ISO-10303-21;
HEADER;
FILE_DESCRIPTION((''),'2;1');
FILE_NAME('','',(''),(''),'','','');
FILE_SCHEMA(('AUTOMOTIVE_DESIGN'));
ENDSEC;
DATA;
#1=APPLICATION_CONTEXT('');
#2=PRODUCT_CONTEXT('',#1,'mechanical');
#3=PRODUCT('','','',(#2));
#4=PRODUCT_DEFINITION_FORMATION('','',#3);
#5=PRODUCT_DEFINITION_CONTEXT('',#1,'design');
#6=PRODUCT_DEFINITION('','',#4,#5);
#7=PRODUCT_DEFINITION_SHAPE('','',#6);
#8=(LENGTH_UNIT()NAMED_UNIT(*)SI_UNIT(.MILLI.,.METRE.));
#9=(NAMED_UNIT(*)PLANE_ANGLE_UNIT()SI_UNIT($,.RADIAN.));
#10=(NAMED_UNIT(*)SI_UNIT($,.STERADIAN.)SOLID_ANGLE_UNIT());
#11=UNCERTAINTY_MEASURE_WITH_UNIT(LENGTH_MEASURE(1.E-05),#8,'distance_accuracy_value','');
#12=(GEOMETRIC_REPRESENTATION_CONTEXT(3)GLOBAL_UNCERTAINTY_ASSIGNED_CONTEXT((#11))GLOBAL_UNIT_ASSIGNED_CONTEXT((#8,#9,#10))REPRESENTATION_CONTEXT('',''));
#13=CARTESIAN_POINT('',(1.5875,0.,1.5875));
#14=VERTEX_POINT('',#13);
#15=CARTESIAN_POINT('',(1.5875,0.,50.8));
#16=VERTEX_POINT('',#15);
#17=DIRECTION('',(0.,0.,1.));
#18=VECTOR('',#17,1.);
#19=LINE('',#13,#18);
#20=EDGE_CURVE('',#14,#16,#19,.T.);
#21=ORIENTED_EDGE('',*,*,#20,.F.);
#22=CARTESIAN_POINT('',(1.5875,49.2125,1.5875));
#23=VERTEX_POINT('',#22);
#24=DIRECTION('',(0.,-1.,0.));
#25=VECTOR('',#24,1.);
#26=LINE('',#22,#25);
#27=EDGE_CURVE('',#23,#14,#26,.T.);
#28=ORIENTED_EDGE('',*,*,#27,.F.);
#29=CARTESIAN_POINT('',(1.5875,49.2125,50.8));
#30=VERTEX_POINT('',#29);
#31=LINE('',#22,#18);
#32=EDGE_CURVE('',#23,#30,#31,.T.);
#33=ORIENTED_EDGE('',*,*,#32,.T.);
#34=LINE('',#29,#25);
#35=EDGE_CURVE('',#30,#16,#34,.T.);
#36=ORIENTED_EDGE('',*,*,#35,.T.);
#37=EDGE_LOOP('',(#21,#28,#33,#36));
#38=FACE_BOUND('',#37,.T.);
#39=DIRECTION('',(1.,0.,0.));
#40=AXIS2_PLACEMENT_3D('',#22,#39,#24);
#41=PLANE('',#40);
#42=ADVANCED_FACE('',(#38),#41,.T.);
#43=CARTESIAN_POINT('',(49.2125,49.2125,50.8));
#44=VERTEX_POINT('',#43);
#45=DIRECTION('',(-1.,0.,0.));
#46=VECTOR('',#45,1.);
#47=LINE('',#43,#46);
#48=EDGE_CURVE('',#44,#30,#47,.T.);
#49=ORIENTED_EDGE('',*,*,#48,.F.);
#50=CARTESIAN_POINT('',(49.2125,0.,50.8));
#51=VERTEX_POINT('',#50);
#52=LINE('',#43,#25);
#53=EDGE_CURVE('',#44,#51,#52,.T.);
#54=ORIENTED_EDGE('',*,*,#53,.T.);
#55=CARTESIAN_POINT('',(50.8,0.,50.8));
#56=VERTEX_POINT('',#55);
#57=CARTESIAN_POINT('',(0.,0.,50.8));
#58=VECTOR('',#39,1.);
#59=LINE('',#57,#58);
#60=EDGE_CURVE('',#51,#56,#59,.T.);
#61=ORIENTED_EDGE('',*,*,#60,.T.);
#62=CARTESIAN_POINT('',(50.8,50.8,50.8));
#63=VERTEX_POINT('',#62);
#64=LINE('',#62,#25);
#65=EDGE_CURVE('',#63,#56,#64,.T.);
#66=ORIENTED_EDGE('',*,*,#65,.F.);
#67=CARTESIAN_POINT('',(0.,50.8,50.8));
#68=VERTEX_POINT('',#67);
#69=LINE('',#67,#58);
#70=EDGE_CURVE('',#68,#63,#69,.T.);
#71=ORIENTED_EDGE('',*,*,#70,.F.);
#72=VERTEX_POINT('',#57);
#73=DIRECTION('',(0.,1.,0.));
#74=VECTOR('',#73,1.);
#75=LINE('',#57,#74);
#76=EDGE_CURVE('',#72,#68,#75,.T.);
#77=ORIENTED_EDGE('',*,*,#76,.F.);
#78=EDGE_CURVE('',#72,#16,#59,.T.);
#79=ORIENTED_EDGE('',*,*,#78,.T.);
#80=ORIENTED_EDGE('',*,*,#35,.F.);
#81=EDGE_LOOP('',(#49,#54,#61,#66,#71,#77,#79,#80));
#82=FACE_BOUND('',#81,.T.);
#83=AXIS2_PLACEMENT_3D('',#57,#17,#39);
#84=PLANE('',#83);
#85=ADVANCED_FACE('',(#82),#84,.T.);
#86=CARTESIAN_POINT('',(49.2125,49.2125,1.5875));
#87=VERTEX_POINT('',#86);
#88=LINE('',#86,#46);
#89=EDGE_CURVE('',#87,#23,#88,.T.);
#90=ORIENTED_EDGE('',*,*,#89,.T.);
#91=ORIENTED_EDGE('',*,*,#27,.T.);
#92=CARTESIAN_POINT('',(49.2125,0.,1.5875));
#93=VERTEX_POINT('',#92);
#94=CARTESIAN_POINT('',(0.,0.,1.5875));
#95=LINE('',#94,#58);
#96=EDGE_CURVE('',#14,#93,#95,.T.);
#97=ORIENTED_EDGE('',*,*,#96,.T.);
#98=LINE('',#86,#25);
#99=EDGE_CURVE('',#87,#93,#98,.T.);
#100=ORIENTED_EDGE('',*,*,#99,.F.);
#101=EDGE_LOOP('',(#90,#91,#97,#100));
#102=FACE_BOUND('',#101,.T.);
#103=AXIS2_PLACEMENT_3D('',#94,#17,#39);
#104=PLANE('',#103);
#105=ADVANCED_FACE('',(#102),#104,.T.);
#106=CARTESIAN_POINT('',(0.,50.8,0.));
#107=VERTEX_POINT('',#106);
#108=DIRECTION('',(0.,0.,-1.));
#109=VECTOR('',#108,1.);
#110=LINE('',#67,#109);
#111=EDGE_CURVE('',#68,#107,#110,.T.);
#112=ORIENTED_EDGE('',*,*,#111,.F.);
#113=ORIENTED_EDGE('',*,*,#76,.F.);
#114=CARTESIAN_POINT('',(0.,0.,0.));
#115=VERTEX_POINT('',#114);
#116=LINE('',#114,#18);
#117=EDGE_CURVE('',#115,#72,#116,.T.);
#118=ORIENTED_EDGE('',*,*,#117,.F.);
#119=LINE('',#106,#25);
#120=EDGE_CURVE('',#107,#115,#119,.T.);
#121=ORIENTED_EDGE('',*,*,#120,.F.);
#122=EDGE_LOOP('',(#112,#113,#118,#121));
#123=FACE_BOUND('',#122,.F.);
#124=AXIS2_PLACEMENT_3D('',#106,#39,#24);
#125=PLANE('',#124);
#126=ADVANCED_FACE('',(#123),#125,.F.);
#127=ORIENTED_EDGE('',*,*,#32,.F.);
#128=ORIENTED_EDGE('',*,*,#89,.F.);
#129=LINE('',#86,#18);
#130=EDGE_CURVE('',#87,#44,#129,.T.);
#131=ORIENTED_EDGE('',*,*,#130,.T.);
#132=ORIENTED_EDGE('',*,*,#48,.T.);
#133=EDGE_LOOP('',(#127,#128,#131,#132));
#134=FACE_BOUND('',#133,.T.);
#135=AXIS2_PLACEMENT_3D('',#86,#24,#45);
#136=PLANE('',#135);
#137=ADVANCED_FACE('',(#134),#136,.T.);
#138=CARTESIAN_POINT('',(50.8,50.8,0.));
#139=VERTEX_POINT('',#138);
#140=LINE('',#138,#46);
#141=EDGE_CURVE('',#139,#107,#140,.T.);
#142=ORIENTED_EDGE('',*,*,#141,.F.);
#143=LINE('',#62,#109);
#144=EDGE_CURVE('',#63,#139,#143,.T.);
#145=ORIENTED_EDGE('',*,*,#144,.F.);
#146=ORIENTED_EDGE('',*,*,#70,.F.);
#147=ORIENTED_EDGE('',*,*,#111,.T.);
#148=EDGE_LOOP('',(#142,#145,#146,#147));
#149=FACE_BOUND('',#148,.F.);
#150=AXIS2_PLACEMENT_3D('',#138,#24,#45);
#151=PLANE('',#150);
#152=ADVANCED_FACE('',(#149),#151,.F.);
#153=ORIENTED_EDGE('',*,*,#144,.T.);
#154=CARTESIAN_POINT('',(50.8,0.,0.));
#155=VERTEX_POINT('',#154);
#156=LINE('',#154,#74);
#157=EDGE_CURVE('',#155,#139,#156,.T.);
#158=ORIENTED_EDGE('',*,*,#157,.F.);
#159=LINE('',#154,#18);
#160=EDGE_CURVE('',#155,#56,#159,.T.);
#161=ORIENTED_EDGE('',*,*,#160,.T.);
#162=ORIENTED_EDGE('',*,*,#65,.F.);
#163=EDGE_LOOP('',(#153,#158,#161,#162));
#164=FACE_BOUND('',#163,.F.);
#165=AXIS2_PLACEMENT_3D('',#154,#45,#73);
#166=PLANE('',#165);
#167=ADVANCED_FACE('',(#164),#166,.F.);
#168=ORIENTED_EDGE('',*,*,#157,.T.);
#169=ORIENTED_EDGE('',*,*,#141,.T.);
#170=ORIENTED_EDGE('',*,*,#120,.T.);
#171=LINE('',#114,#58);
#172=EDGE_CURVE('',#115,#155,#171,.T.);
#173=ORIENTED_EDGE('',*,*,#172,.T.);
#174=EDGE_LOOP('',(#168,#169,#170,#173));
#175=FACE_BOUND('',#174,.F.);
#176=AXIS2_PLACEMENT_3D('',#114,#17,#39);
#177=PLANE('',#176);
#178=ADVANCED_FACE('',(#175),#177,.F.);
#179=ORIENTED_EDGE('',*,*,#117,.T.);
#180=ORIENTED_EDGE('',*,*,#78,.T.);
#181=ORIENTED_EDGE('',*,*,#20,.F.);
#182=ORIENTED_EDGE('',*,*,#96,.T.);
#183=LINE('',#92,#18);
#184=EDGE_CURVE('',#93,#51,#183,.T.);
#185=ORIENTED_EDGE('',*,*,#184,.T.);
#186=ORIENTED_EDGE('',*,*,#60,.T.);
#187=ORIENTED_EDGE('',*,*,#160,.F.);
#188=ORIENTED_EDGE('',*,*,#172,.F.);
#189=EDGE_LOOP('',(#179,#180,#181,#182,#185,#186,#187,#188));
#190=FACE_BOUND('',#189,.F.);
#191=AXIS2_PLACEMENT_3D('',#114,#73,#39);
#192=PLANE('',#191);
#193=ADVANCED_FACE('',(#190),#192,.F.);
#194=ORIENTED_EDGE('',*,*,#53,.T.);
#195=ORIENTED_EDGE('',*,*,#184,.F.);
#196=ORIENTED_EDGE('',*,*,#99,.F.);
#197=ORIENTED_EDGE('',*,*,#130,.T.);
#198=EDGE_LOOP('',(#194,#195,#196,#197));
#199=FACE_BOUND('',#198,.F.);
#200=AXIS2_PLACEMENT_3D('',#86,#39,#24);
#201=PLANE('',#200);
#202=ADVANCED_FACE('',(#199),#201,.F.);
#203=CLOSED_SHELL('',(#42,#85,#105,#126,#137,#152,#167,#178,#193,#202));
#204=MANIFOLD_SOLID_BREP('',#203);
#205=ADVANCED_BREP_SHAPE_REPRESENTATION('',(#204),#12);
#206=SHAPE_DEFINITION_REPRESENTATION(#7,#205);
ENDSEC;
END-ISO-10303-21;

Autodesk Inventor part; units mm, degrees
ref_plane "YZ Plane" through (0, 0, 0) normal (1, 0, 0) x (0, 1, 0)
ref_plane "XZ Plane" through (0, 0, 0) normal (0, 1, 0) x (-1, 0, 0)
ref_plane "XY Plane" through (0, 0, 0) normal (0, 0, 1) x (1, 0, 0)
sketch "Sketch1" plane through (0, 0, 0) normal (0, 0, 1) x (1, 0, 0)
  line L0 (0, 0) -> (50.8, 0)
  line L1 (50.8, 0) -> (50.8, 50.8)
  line L2 (50.8, 50.8) -> (0, 50.8)
  line L3 (0, 50.8) -> (0, 0)
  dimension "d0" = 50.8
  dimension "d2" = 50.8
extrude "Extrusion1" add sketch "Sketch1" along normal blind 1.5875
sketch "Sketch2" plane through (0, 0, 1.5875) normal (0, 0, 1) x (1, 0, 0)
  line L0 (0, 0) -> (50.8, 0) projected
  line L1 (0, 50.8) -> (1.5875, 50.8)
  line L2 (1.5875, 49.2125) -> (1.5875, 0)
  line L3 (1.5875, 0) -> (0, 0)
  line L4 (0, 0) -> (0, 50.8)
  line L5 (0, 50.8) -> (50.8, 50.8)
  line L6 (50.8, 50.8) -> (50.8, 49.2125)
  line L7 (49.2125, 49.2125) -> (1.5875, 49.2125)
  line L8 (0, 49.2125) -> (0, 50.8)
  line L9 (50.8, 50.8) -> (49.2125, 50.8)
  line L10 (49.2125, 49.2125) -> (49.2125, 0)
  line L11 (49.2125, 0) -> (50.8, 0)
  line L12 (50.8, 0) -> (50.8, 50.8)
  dimension "d5" = 1.5875
  dimension "d6" = 50.8
  dimension "d7" = 1.5875
  dimension "d8" = 1.5875
extrude "Extrusion2" add sketch "Sketch2" along normal blind 49.2125 contours L4 L1 L5 L6 L12 L0 L10 L7 L2
properties part number "AutoBucket"
